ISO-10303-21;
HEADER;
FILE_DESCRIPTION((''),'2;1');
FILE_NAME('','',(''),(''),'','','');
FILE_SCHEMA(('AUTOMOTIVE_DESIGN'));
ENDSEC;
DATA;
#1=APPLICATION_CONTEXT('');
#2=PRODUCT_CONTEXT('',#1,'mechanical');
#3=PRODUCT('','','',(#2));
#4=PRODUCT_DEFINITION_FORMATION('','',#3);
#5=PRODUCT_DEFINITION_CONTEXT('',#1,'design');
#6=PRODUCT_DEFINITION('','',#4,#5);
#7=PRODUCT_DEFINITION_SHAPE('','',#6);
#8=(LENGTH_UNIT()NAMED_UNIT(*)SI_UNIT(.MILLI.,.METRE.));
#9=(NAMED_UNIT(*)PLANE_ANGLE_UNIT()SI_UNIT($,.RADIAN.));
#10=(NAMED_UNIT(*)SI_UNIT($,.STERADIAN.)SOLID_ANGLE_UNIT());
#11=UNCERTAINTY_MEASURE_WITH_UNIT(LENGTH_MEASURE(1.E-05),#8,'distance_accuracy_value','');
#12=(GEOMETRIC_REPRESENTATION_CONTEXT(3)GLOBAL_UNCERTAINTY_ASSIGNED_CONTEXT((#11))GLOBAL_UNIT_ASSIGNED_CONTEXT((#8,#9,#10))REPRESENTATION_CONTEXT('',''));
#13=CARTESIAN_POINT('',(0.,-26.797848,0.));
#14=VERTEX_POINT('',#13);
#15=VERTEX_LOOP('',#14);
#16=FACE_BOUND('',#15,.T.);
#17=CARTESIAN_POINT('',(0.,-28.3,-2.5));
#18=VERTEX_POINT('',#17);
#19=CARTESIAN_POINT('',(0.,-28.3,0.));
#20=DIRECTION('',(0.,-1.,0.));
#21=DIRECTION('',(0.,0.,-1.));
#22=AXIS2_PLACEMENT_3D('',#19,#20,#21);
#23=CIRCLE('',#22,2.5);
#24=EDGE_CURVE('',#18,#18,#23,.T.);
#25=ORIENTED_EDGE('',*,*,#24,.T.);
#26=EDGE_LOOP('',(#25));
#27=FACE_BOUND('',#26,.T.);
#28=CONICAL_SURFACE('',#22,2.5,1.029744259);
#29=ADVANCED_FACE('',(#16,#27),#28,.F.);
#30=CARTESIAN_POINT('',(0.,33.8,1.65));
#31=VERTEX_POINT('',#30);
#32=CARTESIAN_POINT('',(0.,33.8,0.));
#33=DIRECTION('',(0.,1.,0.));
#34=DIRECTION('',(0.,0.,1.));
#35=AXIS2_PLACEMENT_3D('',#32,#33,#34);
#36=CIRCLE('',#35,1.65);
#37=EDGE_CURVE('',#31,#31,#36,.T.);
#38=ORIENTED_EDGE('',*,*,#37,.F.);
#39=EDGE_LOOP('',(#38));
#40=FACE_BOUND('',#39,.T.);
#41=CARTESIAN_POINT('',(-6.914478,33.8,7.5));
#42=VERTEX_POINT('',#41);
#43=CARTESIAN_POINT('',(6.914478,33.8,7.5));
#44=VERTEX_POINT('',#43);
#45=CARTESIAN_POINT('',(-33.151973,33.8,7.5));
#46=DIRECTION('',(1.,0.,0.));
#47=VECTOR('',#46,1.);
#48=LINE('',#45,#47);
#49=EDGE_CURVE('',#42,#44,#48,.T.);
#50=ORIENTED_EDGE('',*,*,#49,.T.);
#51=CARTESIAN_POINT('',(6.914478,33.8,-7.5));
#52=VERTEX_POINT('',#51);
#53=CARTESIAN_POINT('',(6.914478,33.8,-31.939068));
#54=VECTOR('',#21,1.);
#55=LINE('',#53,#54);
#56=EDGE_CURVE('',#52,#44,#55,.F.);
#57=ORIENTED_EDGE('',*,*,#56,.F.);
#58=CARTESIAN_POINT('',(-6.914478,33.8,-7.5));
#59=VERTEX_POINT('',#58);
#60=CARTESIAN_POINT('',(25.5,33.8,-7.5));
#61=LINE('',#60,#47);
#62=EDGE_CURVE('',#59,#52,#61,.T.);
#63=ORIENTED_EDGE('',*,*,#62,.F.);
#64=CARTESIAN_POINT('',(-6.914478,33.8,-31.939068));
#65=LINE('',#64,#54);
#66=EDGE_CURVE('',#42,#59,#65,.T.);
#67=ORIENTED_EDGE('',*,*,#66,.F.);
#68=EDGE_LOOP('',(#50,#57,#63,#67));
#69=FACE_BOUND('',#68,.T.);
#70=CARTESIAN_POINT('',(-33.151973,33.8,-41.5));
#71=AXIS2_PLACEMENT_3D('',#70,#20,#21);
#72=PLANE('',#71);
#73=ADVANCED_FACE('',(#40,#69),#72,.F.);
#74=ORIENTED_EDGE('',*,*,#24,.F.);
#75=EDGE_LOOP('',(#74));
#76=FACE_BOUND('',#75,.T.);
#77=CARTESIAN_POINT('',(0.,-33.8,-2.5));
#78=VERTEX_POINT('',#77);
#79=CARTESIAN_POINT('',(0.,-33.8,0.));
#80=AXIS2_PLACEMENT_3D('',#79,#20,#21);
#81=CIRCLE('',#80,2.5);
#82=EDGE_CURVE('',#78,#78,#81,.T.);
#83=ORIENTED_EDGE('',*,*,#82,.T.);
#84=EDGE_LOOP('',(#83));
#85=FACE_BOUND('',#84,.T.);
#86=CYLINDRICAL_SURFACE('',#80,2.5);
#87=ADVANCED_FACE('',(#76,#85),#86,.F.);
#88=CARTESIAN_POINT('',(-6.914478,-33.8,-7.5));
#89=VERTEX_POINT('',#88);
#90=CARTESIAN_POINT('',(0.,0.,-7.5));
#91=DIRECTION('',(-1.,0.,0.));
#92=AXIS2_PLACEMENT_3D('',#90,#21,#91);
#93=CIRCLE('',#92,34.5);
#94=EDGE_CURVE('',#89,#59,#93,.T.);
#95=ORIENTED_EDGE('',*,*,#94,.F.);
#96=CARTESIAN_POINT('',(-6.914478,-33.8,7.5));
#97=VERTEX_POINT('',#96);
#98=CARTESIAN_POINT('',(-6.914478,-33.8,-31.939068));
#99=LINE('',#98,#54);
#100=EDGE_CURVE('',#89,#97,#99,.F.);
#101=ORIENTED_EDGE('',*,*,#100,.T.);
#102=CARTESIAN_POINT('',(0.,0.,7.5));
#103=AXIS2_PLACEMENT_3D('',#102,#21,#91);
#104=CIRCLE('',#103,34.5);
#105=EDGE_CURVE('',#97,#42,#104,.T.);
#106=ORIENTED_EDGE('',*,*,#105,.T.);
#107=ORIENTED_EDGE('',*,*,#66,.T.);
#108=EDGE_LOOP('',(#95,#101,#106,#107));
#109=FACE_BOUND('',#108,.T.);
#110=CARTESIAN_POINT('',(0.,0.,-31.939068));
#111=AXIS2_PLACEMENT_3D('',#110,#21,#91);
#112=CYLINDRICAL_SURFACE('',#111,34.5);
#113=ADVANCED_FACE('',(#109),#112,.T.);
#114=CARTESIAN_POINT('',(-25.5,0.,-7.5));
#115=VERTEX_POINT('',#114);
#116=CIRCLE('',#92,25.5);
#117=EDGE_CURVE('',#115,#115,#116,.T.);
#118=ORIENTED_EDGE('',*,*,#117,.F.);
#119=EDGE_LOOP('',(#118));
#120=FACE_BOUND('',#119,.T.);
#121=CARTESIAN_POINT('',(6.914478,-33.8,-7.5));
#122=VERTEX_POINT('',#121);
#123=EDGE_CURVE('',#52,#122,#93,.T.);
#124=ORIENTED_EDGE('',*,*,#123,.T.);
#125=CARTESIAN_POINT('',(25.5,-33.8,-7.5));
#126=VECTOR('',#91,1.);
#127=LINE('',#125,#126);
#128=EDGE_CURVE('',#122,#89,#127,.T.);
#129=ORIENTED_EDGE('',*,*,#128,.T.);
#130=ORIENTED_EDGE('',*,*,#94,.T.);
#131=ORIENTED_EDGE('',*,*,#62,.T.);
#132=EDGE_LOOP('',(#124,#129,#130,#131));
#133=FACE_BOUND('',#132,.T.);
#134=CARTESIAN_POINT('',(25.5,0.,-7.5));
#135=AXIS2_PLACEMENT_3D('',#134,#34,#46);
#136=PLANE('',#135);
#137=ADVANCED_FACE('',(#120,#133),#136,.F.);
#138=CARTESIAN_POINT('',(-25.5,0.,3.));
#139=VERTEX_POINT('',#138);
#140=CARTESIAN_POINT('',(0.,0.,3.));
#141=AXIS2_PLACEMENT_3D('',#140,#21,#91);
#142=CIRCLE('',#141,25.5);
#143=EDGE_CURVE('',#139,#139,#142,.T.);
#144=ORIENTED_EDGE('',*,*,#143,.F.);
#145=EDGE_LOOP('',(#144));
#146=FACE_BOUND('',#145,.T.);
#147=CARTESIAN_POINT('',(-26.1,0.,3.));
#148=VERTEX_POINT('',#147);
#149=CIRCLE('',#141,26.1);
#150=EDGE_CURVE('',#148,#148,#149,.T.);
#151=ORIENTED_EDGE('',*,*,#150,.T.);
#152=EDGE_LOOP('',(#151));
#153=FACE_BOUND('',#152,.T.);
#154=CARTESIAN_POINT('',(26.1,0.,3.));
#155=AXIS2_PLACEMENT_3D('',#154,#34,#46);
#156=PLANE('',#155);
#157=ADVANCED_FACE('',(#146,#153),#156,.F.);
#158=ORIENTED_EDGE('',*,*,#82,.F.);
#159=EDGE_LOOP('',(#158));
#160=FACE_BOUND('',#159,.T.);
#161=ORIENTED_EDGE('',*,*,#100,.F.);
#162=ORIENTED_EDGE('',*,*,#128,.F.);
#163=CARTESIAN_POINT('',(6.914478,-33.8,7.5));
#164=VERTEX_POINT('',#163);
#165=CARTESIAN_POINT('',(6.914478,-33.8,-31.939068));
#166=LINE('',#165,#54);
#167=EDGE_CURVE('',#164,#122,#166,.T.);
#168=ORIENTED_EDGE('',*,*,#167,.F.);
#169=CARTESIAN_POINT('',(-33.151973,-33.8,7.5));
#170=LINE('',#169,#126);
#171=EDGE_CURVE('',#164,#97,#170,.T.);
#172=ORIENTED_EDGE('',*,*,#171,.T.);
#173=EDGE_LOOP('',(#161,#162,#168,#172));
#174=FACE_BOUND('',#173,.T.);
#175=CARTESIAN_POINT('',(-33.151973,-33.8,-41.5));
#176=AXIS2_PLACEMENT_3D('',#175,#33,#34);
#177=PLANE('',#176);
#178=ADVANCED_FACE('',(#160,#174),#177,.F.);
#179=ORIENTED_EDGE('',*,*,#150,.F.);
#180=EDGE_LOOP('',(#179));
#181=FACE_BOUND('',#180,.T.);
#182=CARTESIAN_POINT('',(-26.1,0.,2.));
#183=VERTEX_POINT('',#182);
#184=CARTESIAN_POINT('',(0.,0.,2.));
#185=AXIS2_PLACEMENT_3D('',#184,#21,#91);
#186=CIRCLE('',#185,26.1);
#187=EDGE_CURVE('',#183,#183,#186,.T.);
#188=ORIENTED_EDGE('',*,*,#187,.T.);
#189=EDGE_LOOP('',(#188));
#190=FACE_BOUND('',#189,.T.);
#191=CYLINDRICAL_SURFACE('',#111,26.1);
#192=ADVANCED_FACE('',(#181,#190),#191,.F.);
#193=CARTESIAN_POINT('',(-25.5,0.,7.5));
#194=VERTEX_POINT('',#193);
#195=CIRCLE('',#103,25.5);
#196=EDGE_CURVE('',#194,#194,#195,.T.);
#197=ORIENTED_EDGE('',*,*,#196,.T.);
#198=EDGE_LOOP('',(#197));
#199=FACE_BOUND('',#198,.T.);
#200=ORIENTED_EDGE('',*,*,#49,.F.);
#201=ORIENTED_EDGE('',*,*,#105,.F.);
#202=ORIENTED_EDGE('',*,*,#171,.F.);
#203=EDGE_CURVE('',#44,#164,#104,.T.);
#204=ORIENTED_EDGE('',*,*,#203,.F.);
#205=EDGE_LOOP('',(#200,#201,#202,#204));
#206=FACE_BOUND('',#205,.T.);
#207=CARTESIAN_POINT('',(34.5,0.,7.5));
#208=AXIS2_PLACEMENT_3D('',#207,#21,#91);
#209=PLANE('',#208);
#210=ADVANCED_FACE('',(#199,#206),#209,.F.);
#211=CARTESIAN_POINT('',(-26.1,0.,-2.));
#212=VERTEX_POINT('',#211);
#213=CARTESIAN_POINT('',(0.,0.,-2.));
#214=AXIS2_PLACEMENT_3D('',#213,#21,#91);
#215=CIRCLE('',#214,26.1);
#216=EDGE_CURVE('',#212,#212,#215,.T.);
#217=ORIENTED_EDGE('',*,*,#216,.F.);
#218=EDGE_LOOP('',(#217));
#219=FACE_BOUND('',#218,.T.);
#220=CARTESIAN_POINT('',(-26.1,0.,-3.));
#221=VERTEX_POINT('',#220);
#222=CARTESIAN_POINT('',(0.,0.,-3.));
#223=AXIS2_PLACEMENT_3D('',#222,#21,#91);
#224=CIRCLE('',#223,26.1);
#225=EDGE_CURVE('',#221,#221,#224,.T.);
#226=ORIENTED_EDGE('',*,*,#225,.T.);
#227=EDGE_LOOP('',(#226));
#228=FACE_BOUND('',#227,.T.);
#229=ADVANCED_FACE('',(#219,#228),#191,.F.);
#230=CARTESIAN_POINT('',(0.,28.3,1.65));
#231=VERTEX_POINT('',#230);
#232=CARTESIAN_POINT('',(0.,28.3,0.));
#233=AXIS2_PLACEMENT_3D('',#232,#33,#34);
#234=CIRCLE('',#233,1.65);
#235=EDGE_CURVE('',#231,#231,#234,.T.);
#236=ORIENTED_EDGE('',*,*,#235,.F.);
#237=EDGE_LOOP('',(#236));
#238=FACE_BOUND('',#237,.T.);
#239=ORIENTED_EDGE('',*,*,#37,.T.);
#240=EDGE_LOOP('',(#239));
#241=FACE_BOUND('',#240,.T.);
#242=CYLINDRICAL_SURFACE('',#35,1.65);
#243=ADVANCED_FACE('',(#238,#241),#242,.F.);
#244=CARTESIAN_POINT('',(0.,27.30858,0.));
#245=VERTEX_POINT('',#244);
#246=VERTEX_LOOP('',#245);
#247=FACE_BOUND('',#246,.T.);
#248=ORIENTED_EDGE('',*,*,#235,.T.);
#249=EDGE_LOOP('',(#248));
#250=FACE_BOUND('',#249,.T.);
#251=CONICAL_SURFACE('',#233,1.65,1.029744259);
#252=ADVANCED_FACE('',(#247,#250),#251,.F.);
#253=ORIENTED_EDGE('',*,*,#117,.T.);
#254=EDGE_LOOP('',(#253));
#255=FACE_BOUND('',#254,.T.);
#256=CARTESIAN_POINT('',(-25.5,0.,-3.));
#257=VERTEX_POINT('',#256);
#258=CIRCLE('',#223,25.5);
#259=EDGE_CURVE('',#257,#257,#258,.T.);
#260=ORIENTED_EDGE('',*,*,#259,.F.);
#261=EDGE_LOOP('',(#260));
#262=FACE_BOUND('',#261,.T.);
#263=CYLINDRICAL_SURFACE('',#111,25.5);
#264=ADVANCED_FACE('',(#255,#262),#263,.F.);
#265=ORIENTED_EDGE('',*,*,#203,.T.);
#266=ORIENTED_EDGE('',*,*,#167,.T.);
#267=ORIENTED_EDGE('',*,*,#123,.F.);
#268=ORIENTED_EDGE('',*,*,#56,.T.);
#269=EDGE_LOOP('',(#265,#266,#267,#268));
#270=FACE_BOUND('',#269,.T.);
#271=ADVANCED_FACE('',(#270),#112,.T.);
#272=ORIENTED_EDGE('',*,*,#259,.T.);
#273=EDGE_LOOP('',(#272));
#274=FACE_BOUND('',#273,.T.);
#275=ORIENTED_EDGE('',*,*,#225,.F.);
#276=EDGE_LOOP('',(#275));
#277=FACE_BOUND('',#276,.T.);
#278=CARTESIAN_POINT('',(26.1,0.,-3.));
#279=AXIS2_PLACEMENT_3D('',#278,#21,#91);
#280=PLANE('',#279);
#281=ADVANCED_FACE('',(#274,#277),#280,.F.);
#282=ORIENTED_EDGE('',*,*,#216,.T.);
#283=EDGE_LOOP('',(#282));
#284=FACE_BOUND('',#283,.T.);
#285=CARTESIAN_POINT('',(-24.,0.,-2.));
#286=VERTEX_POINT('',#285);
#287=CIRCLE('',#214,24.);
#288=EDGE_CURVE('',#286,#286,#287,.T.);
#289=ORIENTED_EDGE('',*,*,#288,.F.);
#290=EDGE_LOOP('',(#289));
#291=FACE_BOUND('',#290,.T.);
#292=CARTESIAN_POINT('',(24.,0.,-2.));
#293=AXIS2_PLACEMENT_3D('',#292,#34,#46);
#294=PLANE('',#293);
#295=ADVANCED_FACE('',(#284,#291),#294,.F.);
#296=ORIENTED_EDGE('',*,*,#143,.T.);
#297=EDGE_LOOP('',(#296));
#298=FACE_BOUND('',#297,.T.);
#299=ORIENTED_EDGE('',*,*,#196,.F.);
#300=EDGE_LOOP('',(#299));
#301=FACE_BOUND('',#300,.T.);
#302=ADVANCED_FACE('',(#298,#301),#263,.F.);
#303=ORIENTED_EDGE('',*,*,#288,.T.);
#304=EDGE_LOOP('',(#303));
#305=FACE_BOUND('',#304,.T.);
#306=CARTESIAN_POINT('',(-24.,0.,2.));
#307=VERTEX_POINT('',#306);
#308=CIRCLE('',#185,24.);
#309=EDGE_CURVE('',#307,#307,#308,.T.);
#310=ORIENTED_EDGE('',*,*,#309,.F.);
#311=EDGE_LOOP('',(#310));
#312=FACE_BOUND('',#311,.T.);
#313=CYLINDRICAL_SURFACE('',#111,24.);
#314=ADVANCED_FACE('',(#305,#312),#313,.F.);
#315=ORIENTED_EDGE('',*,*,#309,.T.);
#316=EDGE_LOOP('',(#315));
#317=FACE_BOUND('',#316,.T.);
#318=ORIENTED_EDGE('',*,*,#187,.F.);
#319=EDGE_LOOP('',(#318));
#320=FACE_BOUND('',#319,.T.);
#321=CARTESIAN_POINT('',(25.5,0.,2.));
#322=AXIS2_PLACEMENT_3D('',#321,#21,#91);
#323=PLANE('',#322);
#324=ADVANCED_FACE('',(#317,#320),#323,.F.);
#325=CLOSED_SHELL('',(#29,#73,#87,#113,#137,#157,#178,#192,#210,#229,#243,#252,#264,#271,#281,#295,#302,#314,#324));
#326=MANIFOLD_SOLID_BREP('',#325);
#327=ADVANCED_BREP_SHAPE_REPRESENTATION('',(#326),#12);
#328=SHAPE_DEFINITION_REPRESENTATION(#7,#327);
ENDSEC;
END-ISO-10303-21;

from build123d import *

# Parameters (mm, degrees)
SKETCH_2_W             = 64.02174429
SKETCH_2_H             = 9.248919907
CUT_EXTRUDE_1_DEPTH    = 49
HOLE_WIZARD_M4_2_D     = 3.3
HOLE_WIZARD_M4_2_DEPTH = 5.5
HOLE_WIZARD_M4_2_TIP   = 0.991420021
HOLE_WIZARD_M6_2_D     = 5
HOLE_WIZARD_M6_2_DEPTH = 5.5
HOLE_WIZARD_M6_2_TIP   = 1.502151548


with BuildPart() as part:
    # 草图1 → 旋转1 (revolve)
    with BuildSketch(Plane(origin=(0, 0, 0), x_dir=(1, 0, 0), z_dir=(0, 1, 0)), mode=Mode.PRIVATE) as revolve_1_sk:
        Polygon((34.5, 7.5), (34.5, -7.5), (25.5, -7.5), (25.5, -3), (26.1, -3), (26.1, -2), (25.5, -2), (24, -2), (24, 2), (25.5, 2), (26.1, 2), (26.1, 3), (25.5, 3), (25.5, 7.5), align=None)
    revolve(revolve_1_sk.sketch.rotate(Axis((0, 0, -31.9390681), (0, 0, 1)), 180), axis=Axis((0, 0, -31.9390681), (0, 0, 1)))  # turned: the seam where the file's is

    # 草图2 → 切除-拉伸1 (cut)
    with BuildSketch(Plane.XY.offset(7.5)):
        with Locations((-1.141100508, 38.424459954)):
            Rectangle(SKETCH_2_W, SKETCH_2_H)
        with Locations((-1.141100508, -38.424459954)):
            Rectangle(SKETCH_2_W, SKETCH_2_H)
    extrude(amount=-CUT_EXTRUDE_1_DEPTH, mode=Mode.SUBTRACT)

    # M4 螺纹孔2
    with Locations(Plane(origin=(0, 33.8, 0), x_dir=(1, 0, 0), z_dir=(0, 1, 0))):
        with Locations((0, 0)):
            Hole(HOLE_WIZARD_M4_2_D / 2, depth=HOLE_WIZARD_M4_2_DEPTH)
            with Locations((0, 0, -(HOLE_WIZARD_M4_2_DEPTH + HOLE_WIZARD_M4_2_TIP / 2))):  # 118° drill point
                Cone(0, HOLE_WIZARD_M4_2_D / 2, HOLE_WIZARD_M4_2_TIP, mode=Mode.SUBTRACT)

    # M6 螺纹孔2
    with Locations(Plane(origin=(0, -33.8, 0), x_dir=(-1, 0, 0), z_dir=(0, -1, 0))):
        with Locations((0, 0)):
            Hole(HOLE_WIZARD_M6_2_D / 2, depth=HOLE_WIZARD_M6_2_DEPTH)
            with Locations((0, 0, -(HOLE_WIZARD_M6_2_DEPTH + HOLE_WIZARD_M6_2_TIP / 2))):  # 118° drill point
                Cone(0, HOLE_WIZARD_M6_2_D / 2, HOLE_WIZARD_M6_2_TIP, mode=Mode.SUBTRACT)


solid = part.part
